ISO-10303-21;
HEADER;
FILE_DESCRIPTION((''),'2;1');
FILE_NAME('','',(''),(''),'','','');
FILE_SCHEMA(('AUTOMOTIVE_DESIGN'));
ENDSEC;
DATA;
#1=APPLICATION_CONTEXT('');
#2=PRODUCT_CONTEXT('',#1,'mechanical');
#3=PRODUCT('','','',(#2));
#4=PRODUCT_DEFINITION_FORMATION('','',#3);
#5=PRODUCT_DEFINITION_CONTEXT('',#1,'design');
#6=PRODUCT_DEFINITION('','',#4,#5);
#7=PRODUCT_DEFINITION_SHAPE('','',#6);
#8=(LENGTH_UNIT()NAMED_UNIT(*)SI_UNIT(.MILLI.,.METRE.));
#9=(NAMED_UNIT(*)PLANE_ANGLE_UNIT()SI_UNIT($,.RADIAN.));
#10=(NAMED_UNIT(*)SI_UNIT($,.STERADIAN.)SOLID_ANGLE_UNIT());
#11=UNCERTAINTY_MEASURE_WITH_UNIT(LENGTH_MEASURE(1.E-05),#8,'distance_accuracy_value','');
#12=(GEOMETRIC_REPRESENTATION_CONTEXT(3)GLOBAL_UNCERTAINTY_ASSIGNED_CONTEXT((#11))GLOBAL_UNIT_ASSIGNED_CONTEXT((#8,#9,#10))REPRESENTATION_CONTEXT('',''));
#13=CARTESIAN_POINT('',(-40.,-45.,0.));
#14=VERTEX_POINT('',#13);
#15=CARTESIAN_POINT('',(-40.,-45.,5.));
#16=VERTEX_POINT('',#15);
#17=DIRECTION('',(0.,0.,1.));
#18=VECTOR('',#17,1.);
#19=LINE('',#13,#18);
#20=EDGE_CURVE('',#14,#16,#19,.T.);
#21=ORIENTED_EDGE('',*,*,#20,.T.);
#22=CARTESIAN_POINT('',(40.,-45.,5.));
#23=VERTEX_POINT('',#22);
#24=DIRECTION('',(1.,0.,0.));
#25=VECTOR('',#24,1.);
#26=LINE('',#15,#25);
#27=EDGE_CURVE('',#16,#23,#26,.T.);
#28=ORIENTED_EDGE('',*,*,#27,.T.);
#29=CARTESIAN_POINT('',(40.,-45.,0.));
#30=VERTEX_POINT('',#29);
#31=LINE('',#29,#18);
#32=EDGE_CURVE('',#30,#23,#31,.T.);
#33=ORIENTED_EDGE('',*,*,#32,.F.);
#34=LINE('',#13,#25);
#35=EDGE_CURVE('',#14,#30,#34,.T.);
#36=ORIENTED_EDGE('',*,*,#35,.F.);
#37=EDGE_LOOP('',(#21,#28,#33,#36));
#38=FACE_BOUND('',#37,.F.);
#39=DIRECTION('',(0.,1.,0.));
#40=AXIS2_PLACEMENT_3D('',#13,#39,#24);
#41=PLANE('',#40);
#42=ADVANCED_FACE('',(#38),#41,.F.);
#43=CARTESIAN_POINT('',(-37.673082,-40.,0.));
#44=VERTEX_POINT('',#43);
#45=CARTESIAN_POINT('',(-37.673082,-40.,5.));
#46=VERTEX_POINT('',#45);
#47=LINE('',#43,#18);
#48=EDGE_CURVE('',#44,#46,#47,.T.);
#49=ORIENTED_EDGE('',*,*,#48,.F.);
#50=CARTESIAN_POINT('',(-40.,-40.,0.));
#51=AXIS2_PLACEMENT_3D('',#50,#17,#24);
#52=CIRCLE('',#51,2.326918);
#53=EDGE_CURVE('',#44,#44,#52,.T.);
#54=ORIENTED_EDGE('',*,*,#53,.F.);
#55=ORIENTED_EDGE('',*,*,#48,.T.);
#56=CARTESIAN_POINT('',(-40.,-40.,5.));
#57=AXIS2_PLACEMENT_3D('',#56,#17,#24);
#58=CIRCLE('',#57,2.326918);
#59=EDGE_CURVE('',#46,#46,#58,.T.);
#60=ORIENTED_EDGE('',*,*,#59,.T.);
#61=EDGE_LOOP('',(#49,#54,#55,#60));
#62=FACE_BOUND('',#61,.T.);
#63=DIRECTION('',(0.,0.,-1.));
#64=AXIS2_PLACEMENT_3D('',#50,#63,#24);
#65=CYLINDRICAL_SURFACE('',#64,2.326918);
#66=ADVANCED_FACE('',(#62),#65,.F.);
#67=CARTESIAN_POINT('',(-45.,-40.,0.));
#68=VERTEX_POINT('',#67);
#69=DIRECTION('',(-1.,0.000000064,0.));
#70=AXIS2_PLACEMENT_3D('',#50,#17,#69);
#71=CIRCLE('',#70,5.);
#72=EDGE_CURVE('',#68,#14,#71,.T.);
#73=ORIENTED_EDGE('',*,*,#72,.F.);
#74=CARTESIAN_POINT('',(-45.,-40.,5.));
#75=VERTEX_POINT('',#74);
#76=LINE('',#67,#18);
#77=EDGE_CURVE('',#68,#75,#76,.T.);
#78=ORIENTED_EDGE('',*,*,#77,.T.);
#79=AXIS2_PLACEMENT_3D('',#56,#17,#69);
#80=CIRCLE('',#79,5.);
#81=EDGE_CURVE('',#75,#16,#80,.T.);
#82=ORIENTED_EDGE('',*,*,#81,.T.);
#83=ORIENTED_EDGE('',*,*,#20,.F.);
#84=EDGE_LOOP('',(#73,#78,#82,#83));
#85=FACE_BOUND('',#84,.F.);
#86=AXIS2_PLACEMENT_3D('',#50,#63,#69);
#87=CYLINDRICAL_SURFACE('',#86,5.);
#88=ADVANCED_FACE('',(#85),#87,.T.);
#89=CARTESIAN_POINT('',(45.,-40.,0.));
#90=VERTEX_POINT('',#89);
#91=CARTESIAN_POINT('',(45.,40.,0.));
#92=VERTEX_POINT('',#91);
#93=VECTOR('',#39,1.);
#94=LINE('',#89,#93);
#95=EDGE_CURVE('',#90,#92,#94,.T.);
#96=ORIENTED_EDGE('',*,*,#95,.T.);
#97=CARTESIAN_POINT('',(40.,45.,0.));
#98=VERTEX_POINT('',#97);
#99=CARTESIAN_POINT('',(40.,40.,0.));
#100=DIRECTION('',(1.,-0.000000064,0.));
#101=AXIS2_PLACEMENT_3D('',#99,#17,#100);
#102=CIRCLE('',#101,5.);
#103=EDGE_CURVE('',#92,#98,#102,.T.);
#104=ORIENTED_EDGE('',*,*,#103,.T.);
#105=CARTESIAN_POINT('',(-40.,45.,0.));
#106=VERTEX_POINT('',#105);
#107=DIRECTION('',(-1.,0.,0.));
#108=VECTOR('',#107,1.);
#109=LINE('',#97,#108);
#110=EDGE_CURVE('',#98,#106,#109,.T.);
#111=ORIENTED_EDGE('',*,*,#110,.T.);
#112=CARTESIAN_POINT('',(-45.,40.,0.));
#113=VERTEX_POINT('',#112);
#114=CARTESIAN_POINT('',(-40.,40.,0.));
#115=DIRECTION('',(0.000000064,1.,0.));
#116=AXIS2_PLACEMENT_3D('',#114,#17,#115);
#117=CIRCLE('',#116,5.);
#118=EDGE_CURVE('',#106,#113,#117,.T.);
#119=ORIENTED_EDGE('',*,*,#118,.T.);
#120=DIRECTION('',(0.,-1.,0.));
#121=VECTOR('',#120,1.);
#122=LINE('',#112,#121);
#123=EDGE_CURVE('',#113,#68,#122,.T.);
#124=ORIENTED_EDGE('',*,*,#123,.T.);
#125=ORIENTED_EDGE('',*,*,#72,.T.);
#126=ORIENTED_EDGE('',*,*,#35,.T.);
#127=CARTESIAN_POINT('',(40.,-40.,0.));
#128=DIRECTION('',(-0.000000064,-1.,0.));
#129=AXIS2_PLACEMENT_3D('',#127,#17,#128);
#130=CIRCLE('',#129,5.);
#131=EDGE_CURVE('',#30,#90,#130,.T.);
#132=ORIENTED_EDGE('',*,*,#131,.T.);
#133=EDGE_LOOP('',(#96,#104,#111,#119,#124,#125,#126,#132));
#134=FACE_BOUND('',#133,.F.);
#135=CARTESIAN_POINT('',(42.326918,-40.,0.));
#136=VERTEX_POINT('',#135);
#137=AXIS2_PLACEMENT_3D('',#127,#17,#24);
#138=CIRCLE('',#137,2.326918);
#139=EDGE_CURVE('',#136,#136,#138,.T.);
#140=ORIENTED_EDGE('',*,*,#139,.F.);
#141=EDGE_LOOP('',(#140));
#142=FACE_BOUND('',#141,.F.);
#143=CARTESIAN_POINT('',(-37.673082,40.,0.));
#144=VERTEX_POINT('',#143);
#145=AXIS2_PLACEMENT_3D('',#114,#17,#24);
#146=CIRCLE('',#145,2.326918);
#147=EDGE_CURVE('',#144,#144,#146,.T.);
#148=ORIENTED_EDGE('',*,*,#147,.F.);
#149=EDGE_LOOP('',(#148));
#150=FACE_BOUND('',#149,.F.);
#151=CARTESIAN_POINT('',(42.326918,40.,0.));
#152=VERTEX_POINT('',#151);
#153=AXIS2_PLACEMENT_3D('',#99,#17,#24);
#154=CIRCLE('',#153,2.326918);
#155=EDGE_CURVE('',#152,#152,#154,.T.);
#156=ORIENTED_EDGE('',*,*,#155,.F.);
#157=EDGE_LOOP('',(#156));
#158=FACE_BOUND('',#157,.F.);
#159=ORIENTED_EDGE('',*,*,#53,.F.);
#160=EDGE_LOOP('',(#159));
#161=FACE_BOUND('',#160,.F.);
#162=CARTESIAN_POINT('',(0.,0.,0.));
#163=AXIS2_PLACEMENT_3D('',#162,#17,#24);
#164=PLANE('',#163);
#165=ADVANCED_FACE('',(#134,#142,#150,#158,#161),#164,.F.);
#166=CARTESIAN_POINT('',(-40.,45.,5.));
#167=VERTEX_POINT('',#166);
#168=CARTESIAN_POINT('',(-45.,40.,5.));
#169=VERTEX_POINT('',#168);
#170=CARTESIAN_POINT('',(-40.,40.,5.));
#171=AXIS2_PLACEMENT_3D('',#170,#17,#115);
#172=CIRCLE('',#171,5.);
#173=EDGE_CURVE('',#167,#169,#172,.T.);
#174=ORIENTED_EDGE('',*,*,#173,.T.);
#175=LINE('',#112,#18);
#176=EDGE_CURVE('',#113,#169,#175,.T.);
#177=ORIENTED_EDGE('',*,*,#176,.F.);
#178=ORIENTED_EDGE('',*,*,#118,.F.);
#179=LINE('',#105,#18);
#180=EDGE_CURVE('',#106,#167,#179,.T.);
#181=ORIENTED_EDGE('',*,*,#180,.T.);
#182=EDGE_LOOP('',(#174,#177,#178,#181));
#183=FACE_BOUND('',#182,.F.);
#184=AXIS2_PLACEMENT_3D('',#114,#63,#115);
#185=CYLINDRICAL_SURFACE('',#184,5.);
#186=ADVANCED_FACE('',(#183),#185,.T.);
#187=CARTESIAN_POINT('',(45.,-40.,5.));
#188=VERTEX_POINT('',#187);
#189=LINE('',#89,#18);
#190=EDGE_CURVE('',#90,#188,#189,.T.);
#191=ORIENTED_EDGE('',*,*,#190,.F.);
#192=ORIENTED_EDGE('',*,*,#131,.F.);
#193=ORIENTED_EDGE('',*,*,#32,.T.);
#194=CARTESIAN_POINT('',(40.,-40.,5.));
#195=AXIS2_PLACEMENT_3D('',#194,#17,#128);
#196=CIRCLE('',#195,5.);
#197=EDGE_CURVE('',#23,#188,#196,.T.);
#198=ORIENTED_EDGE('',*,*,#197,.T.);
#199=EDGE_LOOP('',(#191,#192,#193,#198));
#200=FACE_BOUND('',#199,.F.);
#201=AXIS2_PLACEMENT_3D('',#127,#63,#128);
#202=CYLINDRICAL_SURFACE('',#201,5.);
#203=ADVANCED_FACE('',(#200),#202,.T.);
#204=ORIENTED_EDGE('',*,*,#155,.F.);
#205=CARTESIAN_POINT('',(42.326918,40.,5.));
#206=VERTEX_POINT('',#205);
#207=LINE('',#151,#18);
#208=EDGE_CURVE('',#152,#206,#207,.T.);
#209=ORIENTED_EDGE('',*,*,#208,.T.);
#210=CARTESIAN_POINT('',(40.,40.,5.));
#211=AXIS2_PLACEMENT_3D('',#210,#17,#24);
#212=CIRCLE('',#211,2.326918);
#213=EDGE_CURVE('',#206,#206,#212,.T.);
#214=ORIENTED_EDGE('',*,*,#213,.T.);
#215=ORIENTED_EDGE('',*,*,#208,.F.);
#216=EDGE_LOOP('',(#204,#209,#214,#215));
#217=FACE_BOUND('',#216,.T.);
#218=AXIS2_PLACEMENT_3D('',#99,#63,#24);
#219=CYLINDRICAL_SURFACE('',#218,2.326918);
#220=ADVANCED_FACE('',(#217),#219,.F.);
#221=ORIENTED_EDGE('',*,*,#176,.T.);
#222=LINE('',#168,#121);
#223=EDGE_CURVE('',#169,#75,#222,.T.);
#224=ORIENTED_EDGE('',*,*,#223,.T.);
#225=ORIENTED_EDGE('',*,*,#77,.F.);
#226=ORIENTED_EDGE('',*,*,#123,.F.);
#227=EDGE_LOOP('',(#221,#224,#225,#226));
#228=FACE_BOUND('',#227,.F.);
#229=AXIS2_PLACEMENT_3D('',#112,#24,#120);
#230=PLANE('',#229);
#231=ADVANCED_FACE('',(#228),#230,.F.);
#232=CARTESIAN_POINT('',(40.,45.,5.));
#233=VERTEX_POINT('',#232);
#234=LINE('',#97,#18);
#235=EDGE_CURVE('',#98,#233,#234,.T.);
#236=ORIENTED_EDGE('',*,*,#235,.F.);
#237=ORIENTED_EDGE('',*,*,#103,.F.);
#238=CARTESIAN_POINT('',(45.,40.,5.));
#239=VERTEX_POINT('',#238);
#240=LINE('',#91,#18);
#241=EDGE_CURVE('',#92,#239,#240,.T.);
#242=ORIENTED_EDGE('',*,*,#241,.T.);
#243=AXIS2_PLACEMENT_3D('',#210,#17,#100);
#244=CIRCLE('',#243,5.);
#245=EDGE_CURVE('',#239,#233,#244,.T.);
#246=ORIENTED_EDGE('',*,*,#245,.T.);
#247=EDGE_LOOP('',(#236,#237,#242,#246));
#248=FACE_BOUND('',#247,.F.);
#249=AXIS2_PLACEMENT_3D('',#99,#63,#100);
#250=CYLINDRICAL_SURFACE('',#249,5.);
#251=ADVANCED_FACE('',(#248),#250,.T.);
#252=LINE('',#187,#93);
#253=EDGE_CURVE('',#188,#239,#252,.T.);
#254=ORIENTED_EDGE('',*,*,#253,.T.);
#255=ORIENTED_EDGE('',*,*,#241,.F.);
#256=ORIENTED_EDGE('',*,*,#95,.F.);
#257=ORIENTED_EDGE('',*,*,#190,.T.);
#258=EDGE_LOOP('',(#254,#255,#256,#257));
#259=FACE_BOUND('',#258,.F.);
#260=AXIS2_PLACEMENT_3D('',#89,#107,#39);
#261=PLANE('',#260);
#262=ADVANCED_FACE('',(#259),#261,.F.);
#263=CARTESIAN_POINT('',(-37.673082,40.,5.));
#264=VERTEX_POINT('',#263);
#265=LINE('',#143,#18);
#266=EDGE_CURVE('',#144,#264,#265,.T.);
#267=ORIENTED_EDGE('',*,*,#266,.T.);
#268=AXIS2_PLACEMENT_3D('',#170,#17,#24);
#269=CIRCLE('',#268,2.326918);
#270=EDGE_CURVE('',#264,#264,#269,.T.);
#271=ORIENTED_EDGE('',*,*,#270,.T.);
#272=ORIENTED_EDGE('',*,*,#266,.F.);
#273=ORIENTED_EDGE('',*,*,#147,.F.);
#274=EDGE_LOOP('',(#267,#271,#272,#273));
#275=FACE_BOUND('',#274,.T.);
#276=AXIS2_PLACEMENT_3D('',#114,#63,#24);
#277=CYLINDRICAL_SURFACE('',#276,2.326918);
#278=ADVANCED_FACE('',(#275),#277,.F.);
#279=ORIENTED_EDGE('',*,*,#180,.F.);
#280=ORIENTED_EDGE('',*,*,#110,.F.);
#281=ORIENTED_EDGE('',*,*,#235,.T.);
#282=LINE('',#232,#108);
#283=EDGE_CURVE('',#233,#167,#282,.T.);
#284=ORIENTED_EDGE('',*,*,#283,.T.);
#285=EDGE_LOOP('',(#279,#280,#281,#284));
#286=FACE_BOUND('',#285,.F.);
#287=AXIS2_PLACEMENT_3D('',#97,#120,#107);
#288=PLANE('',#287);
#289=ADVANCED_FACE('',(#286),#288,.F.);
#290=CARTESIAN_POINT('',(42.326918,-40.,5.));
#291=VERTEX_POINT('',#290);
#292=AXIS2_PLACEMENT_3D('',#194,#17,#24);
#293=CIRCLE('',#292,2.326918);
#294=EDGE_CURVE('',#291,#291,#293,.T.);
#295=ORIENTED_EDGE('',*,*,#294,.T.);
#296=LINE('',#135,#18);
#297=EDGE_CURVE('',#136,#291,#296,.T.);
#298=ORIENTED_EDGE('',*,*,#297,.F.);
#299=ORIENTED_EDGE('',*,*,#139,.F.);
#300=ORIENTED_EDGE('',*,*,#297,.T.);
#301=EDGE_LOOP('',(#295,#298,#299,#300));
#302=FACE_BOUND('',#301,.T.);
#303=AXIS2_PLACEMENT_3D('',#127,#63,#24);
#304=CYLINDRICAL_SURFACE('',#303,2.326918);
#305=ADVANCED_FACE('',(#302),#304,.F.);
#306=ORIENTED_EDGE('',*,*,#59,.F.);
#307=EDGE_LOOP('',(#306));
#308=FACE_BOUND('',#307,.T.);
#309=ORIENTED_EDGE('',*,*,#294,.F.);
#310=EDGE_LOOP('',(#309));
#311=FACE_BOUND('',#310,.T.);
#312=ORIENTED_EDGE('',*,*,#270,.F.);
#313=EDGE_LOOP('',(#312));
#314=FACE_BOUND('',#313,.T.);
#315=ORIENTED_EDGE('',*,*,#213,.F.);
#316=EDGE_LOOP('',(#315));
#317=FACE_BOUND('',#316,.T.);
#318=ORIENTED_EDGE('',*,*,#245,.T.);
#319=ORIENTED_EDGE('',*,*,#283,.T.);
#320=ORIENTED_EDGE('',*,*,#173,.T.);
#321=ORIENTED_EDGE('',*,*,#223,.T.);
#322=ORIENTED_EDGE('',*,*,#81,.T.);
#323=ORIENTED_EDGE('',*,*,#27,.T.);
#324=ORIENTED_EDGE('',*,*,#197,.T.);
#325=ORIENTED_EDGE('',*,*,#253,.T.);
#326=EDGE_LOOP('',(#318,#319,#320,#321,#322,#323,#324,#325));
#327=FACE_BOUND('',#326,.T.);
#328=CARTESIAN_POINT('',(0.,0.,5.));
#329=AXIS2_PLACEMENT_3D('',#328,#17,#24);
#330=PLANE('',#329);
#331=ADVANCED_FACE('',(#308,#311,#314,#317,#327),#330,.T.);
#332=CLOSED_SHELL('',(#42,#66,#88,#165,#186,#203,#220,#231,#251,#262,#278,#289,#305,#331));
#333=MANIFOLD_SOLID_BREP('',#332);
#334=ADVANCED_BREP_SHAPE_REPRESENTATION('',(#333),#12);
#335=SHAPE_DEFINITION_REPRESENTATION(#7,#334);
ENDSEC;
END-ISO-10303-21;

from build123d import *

# Parameters (mm, degrees)
F0_R     = 2.326918
F1_DEPTH = 5


with BuildPart() as f1:
    # F0 (on Top) → F1 (new body)
    with BuildSketch(Plane.XY):
        with BuildLine():
            Line((40, 45), (-40, 45))
            ThreePointArc((-40, 45), (-43.535534, 43.535534), (-45, 40))
            Line((-45, 40), (-45, -40))
            ThreePointArc((-45, -40), (-43.535534, -43.535534), (-40, -45))
            Line((-40, -45), (40, -45))
            ThreePointArc((40, -45), (43.535534, -43.535534), (45, -40))
            Line((45, -40), (45, 40))
            ThreePointArc((45, 40), (43.535534, 43.535534), (40, 45))
        make_face()
        with Locations((-40, -40)):
            Circle(F0_R, mode=Mode.SUBTRACT)
        with Locations((40, -40)):
            Circle(F0_R, mode=Mode.SUBTRACT)
        with Locations((-40, 40)):
            Circle(F0_R, mode=Mode.SUBTRACT)
        with BuildLine():
            ThreePointArc((-39.163858, 36.739757), (-37.518478, 37.421295), (-36.836939, 39.066675))
            Line((-36.836939, 39.066675), (36.836939, 39.066675))
            ThreePointArc((36.836939, 39.066675), (37.518478, 37.421295), (39.163858, 36.739757))
            Line((39.163858, 36.739757), (39.163858, -36.739757))
            ThreePointArc((39.163858, -36.739757), (37.518478, -37.421295), (36.836939, -39.066675))
            Line((36.836939, -39.066675), (-36.836939, -39.066675))
            ThreePointArc((-36.836939, -39.066675), (-37.518478, -37.421295), (-39.163858, -36.739757))
            Line((-39.163858, -36.739757), (-39.163858, 36.739757))
        make_face(mode=Mode.SUBTRACT)
        with Locations((40, 40)):
            Circle(F0_R, mode=Mode.SUBTRACT)
        with BuildLine():
            Line((36.836939, 39.066675), (-36.836939, 39.066675))
            ThreePointArc((-36.836939, 39.066675), (-37.518478, 37.421295), (-39.163858, 36.739757))
            Line((-39.163858, 36.739757), (-39.163858, -36.739757))
            ThreePointArc((-39.163858, -36.739757), (-37.518478, -37.421295), (-36.836939, -39.066675))
            Line((-36.836939, -39.066675), (36.836939, -39.066675))
            ThreePointArc((36.836939, -39.066675), (37.518478, -37.421295), (39.163858, -36.739757))
            Line((39.163858, -36.739757), (39.163858, 36.739757))
            ThreePointArc((39.163858, 36.739757), (37.518478, 37.421295), (36.836939, 39.066675))
        make_face()
    extrude(amount=F1_DEPTH)


solid = f1.part
